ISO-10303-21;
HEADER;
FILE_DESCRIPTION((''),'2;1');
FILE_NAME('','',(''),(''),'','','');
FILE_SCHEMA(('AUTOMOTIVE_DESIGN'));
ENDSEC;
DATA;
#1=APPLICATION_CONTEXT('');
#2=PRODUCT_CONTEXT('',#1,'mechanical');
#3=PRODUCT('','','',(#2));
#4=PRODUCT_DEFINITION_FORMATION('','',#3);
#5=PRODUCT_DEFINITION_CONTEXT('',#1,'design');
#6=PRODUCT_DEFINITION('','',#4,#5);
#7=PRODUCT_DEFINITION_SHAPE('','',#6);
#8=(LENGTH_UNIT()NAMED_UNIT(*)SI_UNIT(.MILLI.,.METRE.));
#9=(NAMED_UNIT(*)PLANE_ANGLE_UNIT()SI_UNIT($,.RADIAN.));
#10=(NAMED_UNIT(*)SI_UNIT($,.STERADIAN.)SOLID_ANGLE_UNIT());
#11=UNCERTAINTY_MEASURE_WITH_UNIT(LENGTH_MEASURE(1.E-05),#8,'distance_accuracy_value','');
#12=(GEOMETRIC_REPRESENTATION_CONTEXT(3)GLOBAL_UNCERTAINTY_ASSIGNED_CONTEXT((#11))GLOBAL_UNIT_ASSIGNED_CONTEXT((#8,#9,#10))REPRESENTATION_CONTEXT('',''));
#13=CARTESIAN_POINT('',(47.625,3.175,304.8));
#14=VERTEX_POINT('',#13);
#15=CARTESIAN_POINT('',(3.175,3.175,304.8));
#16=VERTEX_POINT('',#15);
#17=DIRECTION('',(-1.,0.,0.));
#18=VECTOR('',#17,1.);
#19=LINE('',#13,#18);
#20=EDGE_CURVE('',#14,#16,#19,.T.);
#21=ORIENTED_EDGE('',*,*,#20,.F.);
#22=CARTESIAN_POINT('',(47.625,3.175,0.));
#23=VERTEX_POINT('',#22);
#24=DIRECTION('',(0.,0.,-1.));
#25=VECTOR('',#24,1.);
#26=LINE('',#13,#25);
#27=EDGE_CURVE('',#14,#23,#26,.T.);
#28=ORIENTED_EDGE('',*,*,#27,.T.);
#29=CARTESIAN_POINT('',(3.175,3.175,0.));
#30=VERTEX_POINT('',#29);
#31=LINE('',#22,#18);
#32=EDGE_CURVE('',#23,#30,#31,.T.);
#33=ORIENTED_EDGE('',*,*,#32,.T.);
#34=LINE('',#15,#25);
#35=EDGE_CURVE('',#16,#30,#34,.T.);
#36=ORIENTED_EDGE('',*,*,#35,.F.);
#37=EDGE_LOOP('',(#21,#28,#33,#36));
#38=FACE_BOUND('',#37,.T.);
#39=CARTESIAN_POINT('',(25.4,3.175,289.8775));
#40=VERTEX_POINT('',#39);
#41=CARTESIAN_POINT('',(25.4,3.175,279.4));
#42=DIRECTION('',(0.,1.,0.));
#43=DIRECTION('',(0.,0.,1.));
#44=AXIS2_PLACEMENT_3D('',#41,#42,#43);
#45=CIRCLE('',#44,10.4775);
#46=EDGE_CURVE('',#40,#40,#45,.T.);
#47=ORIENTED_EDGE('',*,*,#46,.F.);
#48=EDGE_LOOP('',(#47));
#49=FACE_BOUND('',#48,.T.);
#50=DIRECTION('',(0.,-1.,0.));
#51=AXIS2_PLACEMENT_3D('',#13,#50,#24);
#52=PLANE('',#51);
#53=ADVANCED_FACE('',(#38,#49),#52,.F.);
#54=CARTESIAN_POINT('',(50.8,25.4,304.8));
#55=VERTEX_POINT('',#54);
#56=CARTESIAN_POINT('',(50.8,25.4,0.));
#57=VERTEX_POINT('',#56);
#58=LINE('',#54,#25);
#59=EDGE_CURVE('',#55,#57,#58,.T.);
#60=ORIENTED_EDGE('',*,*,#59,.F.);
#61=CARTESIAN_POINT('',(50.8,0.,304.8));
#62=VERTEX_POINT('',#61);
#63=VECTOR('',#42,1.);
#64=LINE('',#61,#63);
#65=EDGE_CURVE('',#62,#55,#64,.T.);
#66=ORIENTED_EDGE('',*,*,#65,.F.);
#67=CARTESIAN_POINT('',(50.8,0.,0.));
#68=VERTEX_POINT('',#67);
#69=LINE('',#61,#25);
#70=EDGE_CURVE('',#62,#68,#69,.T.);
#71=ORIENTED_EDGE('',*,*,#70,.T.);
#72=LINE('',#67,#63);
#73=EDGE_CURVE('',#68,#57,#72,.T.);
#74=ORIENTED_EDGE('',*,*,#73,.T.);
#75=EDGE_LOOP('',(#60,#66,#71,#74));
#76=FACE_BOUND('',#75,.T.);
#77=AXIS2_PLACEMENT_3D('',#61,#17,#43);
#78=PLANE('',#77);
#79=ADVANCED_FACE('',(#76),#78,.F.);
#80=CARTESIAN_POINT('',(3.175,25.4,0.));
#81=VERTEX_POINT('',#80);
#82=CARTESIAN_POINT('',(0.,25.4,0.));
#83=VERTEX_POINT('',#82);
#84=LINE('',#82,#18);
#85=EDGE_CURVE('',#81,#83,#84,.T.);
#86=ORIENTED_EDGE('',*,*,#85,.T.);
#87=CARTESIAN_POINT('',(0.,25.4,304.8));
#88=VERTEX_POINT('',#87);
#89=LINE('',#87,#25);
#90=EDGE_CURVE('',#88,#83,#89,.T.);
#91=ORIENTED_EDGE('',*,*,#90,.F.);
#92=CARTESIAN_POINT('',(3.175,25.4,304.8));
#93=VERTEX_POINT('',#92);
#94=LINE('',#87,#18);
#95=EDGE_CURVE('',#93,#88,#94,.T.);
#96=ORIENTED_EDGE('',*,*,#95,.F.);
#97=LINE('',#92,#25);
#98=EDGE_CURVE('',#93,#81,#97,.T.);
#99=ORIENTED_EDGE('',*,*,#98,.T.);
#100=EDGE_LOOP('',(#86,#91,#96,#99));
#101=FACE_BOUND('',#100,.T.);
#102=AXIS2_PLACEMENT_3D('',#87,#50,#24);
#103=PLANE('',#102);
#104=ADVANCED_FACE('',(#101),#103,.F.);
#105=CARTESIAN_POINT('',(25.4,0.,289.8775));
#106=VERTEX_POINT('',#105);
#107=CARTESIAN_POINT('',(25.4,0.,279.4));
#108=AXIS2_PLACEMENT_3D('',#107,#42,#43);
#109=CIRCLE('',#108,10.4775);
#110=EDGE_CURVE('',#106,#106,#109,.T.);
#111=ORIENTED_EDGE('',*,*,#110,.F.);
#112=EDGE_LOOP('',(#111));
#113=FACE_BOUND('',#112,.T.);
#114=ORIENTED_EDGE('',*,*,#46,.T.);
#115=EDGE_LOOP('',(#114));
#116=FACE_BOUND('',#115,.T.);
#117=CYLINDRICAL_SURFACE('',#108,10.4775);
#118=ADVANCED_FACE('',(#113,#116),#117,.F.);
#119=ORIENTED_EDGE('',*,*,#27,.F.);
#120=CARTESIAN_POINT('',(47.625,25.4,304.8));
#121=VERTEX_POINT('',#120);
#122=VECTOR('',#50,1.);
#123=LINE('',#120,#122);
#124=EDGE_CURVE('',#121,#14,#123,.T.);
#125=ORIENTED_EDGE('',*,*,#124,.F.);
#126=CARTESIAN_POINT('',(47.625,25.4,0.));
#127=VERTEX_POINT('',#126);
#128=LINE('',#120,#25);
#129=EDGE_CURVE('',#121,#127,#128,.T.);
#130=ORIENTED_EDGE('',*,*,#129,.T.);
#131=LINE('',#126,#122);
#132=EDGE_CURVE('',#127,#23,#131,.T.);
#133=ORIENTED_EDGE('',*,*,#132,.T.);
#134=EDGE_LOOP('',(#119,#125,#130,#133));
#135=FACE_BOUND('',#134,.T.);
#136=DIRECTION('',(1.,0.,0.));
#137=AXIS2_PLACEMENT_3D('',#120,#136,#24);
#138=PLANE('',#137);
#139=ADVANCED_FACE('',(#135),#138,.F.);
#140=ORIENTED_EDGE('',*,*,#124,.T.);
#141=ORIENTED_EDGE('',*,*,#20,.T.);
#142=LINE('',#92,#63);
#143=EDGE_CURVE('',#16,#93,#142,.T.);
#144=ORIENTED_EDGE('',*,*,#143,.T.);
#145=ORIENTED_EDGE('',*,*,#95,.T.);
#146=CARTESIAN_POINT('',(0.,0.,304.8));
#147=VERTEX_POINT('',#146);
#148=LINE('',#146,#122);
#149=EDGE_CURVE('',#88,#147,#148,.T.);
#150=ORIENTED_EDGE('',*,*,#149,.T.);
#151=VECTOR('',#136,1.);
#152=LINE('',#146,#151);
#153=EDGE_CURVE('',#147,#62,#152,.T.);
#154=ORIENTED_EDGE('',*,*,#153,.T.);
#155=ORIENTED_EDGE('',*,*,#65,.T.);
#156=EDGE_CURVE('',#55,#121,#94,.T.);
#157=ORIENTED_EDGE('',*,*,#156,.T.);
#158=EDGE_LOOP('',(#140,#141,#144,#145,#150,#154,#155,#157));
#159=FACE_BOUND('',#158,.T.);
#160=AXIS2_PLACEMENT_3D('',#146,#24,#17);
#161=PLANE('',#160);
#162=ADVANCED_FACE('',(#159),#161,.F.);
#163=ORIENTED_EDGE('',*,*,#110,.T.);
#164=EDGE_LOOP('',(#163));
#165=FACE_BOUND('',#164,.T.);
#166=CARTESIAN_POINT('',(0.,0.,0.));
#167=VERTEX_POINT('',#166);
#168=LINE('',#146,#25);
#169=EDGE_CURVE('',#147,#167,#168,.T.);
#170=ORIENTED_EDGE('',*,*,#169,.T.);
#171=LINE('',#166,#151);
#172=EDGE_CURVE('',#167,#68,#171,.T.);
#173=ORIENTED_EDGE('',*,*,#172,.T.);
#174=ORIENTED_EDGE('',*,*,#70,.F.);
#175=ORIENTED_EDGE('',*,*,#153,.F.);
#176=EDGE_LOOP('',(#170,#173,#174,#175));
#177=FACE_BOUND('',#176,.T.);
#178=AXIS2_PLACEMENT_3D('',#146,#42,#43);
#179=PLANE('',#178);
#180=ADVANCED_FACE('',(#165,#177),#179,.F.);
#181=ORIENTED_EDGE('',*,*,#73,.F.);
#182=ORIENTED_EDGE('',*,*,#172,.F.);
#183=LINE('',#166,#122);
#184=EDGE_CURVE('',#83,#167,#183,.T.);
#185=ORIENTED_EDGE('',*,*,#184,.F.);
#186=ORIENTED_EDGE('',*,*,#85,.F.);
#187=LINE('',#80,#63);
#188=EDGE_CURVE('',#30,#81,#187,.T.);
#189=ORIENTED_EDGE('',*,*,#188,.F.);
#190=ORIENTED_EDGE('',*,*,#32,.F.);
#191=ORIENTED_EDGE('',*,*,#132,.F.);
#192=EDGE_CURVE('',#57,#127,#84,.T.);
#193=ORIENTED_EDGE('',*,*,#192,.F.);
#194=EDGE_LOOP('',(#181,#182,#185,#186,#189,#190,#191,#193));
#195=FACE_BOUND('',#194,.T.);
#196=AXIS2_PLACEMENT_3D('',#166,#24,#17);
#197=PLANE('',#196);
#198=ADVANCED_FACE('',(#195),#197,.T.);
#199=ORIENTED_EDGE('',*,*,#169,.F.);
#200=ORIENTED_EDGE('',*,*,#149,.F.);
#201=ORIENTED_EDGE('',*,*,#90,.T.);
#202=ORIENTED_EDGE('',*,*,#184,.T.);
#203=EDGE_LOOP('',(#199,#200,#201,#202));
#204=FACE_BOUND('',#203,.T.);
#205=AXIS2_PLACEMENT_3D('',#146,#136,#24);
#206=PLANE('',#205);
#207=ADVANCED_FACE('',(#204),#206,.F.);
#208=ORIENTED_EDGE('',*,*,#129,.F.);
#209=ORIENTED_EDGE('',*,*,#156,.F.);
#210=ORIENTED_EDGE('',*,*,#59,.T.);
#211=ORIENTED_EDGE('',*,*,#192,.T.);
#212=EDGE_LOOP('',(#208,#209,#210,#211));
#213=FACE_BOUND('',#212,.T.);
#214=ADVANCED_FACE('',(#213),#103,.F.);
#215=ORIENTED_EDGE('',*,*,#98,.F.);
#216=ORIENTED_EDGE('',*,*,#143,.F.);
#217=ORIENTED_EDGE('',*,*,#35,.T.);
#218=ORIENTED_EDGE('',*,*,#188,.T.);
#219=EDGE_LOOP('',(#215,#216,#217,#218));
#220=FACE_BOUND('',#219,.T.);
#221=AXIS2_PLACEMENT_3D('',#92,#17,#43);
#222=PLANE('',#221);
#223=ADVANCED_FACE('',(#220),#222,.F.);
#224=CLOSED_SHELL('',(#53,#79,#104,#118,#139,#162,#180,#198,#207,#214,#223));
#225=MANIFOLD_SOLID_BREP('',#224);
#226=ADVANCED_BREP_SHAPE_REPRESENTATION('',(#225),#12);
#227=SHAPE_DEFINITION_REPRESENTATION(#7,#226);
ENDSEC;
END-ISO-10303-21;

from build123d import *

# Parameters (mm, degrees)
SKETCH1_W           = 50.8
SKETCH1_H           = 25.4
BOSS_EXTRUDE1_DEPTH = 304.8
SKETCH2_W           = 44.45
SKETCH2_H           = 22.225
CUT_EXTRUDE1_DEPTH  = 305.8
SKETCH3_R           = 10.4775
CUT_EXTRUDE2_DEPTH  = 4.175


with BuildPart() as part:
    # Sketch1 → Boss-Extrude1 (new body)
    with BuildSketch(Plane.XY):
        with Locations((25.4, 12.7)):
            Rectangle(SKETCH1_W, SKETCH1_H)
    extrude(amount=BOSS_EXTRUDE1_DEPTH)

    # Sketch2 → Cut-Extrude1 (cut, through all)
    with BuildSketch(Plane(origin=(0, 0, 0), x_dir=(-1, 0, 0), z_dir=(0, 0, -1))):
        with Locations((-25.4, 14.2875)):
            Rectangle(SKETCH2_W, SKETCH2_H)
    extrude(amount=-CUT_EXTRUDE1_DEPTH, mode=Mode.SUBTRACT)

    # Sketch3 → Cut-Extrude2 (cut, through all)
    with BuildSketch(Plane(origin=(0, 3.175, 0), x_dir=(1, 0, 0), z_dir=(0, 1, 0))):
        with Locations((25.4, -279.4)):
            Circle(SKETCH3_R)
    extrude(amount=-CUT_EXTRUDE2_DEPTH, mode=Mode.SUBTRACT)


solid = part.part
